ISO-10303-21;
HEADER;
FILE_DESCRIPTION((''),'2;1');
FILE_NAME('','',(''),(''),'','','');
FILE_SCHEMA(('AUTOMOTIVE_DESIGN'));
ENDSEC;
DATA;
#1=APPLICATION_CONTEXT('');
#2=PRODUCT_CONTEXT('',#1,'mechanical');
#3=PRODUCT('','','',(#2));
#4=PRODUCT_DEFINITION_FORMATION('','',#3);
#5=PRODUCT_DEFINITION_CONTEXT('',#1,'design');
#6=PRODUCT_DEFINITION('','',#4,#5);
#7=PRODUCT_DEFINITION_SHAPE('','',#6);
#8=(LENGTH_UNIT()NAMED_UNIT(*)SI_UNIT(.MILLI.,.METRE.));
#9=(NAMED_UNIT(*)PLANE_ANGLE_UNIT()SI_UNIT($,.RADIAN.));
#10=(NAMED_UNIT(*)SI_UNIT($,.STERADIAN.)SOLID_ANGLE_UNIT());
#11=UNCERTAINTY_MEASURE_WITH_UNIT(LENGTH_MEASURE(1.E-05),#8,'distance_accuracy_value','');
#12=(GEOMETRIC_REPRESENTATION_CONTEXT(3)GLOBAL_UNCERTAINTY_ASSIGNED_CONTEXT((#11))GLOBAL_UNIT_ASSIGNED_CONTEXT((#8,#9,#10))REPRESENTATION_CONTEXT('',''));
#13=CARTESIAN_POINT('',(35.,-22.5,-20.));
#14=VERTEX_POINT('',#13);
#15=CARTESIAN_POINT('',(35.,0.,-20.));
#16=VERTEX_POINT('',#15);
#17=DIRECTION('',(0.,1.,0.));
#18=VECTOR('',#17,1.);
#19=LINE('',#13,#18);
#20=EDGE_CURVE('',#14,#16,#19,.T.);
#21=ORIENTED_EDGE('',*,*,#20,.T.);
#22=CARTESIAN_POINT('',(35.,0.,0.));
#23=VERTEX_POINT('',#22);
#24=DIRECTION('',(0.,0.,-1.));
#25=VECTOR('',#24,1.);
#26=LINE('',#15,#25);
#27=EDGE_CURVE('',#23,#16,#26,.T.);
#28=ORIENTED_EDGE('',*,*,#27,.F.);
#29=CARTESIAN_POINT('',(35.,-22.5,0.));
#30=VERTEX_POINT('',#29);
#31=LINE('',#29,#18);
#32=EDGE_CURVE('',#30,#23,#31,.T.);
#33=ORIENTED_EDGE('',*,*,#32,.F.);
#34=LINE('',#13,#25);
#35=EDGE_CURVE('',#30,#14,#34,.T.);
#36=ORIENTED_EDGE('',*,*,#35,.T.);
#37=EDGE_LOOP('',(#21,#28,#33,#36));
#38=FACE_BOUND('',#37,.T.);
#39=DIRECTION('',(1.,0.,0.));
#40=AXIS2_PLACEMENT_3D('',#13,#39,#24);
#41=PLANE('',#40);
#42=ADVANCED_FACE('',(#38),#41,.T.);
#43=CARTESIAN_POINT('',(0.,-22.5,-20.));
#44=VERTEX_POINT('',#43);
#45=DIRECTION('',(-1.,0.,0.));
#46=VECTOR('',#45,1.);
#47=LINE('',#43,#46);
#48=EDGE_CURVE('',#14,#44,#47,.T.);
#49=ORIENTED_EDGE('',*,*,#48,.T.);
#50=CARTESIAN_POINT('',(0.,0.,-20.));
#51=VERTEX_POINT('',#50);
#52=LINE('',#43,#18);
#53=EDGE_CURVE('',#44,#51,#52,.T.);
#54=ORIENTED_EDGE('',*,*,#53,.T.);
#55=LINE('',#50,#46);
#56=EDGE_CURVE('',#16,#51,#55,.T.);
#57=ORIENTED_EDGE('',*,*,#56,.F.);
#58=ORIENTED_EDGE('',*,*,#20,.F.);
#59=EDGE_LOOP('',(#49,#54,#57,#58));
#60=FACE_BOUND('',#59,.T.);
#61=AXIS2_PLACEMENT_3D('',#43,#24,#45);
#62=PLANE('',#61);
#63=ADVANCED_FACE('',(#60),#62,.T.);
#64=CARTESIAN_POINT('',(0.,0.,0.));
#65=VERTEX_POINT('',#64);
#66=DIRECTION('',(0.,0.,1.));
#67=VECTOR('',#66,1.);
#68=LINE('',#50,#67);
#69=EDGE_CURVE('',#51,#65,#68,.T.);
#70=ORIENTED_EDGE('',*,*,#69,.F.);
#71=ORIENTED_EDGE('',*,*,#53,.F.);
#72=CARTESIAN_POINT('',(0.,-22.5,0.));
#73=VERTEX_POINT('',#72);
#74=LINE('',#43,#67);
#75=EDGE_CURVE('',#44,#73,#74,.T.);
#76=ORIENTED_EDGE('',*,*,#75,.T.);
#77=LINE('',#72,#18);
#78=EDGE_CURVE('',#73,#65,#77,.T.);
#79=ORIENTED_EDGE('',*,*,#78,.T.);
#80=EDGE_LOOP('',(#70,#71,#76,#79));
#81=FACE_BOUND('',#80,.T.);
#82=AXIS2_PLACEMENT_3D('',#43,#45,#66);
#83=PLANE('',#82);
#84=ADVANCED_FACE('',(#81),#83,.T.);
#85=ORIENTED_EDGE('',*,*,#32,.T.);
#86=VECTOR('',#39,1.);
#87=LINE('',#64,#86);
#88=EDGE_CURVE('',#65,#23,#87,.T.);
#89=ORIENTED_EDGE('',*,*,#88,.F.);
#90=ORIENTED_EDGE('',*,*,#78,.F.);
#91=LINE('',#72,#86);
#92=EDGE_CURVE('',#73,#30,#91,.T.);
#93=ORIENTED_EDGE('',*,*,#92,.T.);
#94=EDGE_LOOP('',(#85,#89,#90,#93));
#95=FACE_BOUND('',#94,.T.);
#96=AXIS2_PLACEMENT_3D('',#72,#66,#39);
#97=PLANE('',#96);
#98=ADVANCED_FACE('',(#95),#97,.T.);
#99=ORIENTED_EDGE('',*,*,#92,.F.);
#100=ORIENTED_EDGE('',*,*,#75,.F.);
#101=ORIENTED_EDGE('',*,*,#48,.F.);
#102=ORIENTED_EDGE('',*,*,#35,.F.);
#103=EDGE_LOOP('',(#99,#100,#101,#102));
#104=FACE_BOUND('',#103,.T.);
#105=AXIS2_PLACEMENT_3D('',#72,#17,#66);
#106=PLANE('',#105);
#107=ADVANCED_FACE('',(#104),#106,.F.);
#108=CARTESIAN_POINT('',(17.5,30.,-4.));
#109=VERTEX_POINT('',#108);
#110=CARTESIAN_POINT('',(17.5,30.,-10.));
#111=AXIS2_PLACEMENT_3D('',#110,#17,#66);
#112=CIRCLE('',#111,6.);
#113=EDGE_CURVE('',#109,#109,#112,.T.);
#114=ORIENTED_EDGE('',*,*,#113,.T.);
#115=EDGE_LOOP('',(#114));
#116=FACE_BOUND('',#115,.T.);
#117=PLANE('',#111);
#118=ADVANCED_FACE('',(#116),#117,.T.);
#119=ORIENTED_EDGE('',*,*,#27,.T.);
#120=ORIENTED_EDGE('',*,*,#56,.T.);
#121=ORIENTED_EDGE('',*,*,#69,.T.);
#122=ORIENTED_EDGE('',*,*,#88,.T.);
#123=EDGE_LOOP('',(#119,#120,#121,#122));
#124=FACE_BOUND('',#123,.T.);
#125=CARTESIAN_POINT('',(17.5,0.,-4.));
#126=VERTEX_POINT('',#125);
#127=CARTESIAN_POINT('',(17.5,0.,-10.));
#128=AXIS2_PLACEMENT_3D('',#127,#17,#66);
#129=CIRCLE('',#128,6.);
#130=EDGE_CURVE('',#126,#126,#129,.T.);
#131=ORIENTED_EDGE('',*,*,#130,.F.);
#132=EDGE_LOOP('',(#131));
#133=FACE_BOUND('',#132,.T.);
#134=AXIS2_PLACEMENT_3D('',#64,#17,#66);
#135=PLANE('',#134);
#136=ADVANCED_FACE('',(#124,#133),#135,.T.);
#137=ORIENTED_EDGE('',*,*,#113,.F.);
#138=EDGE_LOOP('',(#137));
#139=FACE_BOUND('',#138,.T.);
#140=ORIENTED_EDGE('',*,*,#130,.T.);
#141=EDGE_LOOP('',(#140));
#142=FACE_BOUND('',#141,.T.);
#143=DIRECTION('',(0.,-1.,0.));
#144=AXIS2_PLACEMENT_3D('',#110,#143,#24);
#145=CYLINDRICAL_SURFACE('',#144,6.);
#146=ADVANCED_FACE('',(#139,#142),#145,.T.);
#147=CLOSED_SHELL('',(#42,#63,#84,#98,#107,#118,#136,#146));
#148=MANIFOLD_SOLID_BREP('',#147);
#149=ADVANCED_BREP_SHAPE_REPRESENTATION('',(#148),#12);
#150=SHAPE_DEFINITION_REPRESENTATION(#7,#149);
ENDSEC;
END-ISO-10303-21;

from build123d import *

# Parameters (mm, degrees)
SKETCH1_W      = 35
SKETCH1_H      = 20
EXTRUDE1_DEPTH = 22.5
SKETCH2_R      = 6
EXTRUDE2_DEPTH = 30


with BuildPart() as part:
    # Sketch1 → Extrude1 (new body)
    with BuildSketch(Plane(origin=(0, 0, 0), x_dir=(1, 0, 0), z_dir=(0, 1, 0))):
        with Locations((17.5, 10)):
            Rectangle(SKETCH1_W, SKETCH1_H)
    extrude(amount=-EXTRUDE1_DEPTH)

    # Sketch2 → Extrude2 (add)
    with BuildSketch(Plane(origin=(0, 0, 0), x_dir=(1, 0, 0), z_dir=(0, 1, 0))):
        with Locations(Location((17.5, 10, 0), (0, 0, 270))):  # turned: the seam where the file's is
            Circle(SKETCH2_R)
    extrude(amount=EXTRUDE2_DEPTH)


solid = part.part
